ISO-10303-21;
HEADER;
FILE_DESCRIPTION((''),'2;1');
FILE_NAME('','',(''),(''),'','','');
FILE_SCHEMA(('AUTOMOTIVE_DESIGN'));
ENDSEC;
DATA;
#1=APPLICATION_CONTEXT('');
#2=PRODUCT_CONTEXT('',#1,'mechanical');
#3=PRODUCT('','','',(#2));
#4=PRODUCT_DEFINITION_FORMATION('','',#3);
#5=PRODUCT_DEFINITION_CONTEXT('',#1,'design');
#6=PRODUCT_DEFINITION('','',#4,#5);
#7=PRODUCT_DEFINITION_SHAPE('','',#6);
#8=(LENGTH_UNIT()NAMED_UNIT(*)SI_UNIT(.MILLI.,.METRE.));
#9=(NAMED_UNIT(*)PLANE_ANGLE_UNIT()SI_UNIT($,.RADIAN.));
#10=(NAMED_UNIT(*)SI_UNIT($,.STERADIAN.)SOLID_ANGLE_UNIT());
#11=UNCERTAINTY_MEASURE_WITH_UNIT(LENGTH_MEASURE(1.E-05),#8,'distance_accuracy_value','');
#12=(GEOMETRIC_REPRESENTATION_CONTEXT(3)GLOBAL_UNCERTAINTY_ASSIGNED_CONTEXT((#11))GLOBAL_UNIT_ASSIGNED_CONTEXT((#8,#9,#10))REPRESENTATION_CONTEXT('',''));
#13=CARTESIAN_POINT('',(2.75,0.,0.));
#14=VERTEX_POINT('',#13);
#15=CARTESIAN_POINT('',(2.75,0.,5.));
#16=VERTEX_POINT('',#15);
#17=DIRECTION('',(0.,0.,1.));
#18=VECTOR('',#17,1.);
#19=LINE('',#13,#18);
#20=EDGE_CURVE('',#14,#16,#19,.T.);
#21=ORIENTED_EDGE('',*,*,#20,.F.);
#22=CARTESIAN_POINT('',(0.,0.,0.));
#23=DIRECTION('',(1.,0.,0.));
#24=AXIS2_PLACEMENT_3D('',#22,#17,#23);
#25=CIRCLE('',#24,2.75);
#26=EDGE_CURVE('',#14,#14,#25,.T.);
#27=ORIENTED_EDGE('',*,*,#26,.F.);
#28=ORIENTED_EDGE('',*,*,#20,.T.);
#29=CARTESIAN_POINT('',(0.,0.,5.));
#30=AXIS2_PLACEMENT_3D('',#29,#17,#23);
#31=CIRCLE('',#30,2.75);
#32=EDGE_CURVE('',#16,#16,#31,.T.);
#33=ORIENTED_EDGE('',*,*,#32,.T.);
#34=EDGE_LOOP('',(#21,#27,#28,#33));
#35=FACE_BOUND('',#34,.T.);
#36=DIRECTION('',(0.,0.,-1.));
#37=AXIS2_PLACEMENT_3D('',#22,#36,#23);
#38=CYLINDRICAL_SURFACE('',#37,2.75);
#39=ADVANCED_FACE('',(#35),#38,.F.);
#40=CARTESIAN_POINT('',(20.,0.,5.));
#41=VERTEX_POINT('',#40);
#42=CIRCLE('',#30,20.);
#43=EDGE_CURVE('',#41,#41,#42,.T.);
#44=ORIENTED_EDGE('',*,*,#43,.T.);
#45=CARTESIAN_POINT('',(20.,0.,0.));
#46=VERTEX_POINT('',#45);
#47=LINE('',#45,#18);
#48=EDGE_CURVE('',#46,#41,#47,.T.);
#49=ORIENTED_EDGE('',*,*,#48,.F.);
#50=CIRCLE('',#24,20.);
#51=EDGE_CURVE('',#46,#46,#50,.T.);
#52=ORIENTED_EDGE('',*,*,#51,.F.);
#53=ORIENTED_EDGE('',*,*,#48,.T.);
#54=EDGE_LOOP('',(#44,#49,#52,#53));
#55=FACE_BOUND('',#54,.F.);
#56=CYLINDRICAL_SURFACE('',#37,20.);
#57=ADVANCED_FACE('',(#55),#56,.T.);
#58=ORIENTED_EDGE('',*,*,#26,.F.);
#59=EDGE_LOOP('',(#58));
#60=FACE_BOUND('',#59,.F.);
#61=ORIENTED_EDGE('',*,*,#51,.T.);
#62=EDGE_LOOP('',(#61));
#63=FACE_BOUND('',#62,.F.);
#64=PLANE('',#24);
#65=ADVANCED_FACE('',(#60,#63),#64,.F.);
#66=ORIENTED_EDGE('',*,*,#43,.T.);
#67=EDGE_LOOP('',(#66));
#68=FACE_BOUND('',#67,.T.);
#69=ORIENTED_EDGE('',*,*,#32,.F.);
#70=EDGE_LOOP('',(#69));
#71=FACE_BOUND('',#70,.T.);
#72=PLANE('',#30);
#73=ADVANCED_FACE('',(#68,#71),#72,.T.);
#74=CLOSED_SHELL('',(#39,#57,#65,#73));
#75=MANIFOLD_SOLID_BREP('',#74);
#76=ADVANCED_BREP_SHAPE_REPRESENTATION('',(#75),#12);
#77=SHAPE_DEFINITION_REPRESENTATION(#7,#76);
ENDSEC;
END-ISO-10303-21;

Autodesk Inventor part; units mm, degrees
ref_plane "YZ Plane" through (0, 0, 0) normal (1, 0, 0) x (0, 1, 0)
ref_plane "XZ Plane" through (0, 0, 0) normal (0, 1, 0) x (-1, 0, 0)
ref_plane "XY Plane" through (0, 0, 0) normal (0, 0, 1) x (1, 0, 0)
sketch "Sketch1" plane through (0, 0, 0) normal (0, 0, 1) x (1, 0, 0)
  circle A0 centre (0, 0) radius 2.5 projected
  circle A1 centre (0, 0) radius 12.5 projected
  circle A2 centre (0, 0) radius 2.75
  circle A3 centre (0, 0) radius 20
  dimension "d0" = 5.5
  dimension "d1" = 40
extrude "Extrusion1" add sketch "Sketch1" along normal blind 5 contours A1 | A3
properties part number "motorni_zobnik"
